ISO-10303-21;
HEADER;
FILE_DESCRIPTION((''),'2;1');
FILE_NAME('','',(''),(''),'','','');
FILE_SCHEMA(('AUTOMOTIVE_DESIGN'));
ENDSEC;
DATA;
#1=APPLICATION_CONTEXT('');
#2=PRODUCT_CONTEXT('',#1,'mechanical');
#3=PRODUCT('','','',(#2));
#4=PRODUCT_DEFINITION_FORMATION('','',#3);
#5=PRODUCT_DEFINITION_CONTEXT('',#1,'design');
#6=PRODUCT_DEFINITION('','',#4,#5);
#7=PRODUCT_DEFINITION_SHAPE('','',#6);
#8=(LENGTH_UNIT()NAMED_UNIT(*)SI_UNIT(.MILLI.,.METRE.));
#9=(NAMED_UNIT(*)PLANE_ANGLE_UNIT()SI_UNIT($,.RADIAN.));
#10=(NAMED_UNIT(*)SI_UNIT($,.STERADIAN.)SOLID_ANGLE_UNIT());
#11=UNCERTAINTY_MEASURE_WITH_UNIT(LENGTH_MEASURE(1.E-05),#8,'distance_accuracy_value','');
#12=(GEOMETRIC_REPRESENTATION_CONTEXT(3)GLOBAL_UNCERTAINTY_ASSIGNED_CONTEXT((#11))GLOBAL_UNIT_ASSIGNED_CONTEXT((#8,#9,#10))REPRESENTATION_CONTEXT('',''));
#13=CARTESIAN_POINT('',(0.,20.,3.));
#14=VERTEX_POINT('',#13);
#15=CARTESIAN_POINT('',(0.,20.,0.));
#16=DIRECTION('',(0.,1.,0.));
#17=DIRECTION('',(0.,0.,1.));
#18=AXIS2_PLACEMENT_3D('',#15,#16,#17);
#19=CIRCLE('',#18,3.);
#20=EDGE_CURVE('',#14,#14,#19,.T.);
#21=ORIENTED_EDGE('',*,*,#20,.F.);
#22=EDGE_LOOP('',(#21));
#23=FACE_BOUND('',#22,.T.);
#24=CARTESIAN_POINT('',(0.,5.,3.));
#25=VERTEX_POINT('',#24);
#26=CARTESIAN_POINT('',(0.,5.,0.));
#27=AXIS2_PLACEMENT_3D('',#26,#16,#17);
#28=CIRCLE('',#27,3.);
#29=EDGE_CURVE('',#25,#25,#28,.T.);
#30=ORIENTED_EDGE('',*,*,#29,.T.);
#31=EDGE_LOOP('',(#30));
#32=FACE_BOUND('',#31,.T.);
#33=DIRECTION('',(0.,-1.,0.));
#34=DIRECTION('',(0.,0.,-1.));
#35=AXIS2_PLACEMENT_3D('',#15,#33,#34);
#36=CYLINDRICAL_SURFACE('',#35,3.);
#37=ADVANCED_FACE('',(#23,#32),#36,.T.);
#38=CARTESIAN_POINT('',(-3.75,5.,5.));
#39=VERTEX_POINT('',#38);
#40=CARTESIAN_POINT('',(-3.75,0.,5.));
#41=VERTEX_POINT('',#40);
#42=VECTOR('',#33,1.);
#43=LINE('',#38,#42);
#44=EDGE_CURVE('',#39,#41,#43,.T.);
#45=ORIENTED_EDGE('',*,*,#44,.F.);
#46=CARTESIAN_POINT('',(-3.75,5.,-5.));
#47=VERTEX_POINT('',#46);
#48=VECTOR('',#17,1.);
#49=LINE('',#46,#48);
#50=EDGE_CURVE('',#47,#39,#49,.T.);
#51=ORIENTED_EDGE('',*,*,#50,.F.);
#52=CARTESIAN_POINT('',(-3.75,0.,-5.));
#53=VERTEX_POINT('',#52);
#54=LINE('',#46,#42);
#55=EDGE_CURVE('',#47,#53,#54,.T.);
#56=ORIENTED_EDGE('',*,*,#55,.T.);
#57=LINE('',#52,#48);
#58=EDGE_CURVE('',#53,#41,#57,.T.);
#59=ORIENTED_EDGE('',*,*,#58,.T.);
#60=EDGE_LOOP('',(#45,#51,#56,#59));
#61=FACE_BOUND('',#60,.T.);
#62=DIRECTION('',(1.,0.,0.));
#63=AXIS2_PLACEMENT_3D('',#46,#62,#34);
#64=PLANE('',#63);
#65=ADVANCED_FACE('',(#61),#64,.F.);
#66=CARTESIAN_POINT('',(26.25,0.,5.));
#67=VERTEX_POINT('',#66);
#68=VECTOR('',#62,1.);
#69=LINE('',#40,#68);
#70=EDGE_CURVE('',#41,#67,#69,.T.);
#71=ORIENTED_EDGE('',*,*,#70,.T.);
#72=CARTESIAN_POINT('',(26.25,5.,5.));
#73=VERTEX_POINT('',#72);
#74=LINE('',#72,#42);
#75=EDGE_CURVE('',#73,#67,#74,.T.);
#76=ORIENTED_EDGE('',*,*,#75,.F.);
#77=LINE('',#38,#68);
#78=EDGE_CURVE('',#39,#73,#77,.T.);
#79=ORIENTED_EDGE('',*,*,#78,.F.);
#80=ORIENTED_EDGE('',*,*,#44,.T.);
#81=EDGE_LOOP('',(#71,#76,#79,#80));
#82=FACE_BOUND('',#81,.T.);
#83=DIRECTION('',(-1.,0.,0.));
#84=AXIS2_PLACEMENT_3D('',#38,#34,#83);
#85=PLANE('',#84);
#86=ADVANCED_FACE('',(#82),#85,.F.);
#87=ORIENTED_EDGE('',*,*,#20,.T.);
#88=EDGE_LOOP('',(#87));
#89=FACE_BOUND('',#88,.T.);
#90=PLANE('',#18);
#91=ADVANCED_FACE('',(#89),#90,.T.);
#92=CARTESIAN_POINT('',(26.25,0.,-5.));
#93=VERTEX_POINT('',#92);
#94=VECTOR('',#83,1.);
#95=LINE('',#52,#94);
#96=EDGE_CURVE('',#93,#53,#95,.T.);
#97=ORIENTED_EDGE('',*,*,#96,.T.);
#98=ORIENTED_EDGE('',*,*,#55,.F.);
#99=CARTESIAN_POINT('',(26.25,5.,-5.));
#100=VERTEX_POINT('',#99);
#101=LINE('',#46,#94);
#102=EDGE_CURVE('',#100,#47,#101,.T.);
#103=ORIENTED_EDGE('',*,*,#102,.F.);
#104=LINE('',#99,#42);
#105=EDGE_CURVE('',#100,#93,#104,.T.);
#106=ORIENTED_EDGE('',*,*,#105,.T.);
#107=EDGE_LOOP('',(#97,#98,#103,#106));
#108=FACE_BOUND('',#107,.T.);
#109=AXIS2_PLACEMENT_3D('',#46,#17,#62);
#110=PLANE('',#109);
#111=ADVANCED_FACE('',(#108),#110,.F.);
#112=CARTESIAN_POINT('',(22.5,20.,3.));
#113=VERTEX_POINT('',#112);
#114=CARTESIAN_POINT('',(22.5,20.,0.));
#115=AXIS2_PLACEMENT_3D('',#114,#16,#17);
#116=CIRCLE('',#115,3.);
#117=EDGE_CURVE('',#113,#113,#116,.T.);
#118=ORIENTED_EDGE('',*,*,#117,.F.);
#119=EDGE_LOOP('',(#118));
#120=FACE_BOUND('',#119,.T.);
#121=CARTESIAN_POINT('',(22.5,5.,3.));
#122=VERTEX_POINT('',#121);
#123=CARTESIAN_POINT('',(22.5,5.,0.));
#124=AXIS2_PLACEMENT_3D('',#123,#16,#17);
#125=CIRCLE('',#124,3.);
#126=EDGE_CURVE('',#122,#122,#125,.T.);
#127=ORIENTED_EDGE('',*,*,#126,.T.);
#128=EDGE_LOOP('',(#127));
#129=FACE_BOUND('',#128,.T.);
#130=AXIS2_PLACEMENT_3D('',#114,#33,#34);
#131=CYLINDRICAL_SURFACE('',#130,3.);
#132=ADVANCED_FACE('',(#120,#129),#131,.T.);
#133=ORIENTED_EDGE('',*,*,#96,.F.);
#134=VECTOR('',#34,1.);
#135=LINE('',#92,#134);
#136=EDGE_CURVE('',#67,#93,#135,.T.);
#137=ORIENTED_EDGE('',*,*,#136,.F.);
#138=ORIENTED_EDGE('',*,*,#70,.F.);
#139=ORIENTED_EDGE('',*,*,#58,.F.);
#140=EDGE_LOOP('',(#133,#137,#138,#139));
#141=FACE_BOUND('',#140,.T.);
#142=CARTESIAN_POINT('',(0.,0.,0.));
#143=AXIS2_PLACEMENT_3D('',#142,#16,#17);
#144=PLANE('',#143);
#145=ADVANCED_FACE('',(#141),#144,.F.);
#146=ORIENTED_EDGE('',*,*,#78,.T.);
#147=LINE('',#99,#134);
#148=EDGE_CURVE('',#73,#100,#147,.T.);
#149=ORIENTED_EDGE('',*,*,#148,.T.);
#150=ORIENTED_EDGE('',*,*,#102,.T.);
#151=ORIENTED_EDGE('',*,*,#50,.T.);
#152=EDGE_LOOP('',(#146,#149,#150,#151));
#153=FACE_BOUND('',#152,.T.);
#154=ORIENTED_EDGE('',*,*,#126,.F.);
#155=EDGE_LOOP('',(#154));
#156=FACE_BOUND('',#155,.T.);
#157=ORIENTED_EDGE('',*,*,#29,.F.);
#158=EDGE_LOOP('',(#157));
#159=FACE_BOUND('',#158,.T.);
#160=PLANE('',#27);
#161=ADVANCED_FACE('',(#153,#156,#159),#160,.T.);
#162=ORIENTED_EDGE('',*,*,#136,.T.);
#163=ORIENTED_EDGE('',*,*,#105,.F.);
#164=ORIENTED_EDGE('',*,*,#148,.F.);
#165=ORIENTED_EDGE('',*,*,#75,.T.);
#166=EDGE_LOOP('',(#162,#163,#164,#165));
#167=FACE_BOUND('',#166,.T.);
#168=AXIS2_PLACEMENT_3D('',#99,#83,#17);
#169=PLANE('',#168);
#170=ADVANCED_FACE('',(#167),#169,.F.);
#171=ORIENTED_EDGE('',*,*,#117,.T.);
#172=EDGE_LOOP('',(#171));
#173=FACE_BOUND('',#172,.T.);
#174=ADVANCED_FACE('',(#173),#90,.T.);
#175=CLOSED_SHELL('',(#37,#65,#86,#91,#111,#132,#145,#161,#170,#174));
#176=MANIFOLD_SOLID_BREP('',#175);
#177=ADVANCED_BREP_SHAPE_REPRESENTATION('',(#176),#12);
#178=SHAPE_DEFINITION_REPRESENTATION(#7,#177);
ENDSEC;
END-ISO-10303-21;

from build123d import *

# Parameters (mm, degrees)
SKETCH1_W           = 30
SKETCH1_H           = 10
SKETCH1_R           = 3
BOSS_EXTRUDE1_DEPTH = 5
SKETCH1_2_R         = 3
BOSS_EXTRUDE2_DEPTH = 20


with BuildPart() as part:
    # Sketch1 → Boss-Extrude1 (new body)
    with BuildSketch(Plane(origin=(0, 0, 0), x_dir=(1, 0, 0), z_dir=(0, 1, 0))):
        with Locations((11.25, 0)):
            Rectangle(SKETCH1_W, SKETCH1_H)
        Circle(SKETCH1_R, mode=Mode.SUBTRACT)
        with Locations((22.5, 0)):
            Circle(SKETCH1_R, mode=Mode.SUBTRACT)
    extrude(amount=BOSS_EXTRUDE1_DEPTH)

    # Sketch1<2> → Boss-Extrude2 (add)
    with BuildSketch(Plane(origin=(0, 0, 0), x_dir=(1, 0, 0), z_dir=(0, 1, 0))):
        Circle(SKETCH1_2_R)
        with Locations((22.5, 0)):
            Circle(SKETCH1_2_R)
    extrude(amount=BOSS_EXTRUDE2_DEPTH)


solid = part.part
